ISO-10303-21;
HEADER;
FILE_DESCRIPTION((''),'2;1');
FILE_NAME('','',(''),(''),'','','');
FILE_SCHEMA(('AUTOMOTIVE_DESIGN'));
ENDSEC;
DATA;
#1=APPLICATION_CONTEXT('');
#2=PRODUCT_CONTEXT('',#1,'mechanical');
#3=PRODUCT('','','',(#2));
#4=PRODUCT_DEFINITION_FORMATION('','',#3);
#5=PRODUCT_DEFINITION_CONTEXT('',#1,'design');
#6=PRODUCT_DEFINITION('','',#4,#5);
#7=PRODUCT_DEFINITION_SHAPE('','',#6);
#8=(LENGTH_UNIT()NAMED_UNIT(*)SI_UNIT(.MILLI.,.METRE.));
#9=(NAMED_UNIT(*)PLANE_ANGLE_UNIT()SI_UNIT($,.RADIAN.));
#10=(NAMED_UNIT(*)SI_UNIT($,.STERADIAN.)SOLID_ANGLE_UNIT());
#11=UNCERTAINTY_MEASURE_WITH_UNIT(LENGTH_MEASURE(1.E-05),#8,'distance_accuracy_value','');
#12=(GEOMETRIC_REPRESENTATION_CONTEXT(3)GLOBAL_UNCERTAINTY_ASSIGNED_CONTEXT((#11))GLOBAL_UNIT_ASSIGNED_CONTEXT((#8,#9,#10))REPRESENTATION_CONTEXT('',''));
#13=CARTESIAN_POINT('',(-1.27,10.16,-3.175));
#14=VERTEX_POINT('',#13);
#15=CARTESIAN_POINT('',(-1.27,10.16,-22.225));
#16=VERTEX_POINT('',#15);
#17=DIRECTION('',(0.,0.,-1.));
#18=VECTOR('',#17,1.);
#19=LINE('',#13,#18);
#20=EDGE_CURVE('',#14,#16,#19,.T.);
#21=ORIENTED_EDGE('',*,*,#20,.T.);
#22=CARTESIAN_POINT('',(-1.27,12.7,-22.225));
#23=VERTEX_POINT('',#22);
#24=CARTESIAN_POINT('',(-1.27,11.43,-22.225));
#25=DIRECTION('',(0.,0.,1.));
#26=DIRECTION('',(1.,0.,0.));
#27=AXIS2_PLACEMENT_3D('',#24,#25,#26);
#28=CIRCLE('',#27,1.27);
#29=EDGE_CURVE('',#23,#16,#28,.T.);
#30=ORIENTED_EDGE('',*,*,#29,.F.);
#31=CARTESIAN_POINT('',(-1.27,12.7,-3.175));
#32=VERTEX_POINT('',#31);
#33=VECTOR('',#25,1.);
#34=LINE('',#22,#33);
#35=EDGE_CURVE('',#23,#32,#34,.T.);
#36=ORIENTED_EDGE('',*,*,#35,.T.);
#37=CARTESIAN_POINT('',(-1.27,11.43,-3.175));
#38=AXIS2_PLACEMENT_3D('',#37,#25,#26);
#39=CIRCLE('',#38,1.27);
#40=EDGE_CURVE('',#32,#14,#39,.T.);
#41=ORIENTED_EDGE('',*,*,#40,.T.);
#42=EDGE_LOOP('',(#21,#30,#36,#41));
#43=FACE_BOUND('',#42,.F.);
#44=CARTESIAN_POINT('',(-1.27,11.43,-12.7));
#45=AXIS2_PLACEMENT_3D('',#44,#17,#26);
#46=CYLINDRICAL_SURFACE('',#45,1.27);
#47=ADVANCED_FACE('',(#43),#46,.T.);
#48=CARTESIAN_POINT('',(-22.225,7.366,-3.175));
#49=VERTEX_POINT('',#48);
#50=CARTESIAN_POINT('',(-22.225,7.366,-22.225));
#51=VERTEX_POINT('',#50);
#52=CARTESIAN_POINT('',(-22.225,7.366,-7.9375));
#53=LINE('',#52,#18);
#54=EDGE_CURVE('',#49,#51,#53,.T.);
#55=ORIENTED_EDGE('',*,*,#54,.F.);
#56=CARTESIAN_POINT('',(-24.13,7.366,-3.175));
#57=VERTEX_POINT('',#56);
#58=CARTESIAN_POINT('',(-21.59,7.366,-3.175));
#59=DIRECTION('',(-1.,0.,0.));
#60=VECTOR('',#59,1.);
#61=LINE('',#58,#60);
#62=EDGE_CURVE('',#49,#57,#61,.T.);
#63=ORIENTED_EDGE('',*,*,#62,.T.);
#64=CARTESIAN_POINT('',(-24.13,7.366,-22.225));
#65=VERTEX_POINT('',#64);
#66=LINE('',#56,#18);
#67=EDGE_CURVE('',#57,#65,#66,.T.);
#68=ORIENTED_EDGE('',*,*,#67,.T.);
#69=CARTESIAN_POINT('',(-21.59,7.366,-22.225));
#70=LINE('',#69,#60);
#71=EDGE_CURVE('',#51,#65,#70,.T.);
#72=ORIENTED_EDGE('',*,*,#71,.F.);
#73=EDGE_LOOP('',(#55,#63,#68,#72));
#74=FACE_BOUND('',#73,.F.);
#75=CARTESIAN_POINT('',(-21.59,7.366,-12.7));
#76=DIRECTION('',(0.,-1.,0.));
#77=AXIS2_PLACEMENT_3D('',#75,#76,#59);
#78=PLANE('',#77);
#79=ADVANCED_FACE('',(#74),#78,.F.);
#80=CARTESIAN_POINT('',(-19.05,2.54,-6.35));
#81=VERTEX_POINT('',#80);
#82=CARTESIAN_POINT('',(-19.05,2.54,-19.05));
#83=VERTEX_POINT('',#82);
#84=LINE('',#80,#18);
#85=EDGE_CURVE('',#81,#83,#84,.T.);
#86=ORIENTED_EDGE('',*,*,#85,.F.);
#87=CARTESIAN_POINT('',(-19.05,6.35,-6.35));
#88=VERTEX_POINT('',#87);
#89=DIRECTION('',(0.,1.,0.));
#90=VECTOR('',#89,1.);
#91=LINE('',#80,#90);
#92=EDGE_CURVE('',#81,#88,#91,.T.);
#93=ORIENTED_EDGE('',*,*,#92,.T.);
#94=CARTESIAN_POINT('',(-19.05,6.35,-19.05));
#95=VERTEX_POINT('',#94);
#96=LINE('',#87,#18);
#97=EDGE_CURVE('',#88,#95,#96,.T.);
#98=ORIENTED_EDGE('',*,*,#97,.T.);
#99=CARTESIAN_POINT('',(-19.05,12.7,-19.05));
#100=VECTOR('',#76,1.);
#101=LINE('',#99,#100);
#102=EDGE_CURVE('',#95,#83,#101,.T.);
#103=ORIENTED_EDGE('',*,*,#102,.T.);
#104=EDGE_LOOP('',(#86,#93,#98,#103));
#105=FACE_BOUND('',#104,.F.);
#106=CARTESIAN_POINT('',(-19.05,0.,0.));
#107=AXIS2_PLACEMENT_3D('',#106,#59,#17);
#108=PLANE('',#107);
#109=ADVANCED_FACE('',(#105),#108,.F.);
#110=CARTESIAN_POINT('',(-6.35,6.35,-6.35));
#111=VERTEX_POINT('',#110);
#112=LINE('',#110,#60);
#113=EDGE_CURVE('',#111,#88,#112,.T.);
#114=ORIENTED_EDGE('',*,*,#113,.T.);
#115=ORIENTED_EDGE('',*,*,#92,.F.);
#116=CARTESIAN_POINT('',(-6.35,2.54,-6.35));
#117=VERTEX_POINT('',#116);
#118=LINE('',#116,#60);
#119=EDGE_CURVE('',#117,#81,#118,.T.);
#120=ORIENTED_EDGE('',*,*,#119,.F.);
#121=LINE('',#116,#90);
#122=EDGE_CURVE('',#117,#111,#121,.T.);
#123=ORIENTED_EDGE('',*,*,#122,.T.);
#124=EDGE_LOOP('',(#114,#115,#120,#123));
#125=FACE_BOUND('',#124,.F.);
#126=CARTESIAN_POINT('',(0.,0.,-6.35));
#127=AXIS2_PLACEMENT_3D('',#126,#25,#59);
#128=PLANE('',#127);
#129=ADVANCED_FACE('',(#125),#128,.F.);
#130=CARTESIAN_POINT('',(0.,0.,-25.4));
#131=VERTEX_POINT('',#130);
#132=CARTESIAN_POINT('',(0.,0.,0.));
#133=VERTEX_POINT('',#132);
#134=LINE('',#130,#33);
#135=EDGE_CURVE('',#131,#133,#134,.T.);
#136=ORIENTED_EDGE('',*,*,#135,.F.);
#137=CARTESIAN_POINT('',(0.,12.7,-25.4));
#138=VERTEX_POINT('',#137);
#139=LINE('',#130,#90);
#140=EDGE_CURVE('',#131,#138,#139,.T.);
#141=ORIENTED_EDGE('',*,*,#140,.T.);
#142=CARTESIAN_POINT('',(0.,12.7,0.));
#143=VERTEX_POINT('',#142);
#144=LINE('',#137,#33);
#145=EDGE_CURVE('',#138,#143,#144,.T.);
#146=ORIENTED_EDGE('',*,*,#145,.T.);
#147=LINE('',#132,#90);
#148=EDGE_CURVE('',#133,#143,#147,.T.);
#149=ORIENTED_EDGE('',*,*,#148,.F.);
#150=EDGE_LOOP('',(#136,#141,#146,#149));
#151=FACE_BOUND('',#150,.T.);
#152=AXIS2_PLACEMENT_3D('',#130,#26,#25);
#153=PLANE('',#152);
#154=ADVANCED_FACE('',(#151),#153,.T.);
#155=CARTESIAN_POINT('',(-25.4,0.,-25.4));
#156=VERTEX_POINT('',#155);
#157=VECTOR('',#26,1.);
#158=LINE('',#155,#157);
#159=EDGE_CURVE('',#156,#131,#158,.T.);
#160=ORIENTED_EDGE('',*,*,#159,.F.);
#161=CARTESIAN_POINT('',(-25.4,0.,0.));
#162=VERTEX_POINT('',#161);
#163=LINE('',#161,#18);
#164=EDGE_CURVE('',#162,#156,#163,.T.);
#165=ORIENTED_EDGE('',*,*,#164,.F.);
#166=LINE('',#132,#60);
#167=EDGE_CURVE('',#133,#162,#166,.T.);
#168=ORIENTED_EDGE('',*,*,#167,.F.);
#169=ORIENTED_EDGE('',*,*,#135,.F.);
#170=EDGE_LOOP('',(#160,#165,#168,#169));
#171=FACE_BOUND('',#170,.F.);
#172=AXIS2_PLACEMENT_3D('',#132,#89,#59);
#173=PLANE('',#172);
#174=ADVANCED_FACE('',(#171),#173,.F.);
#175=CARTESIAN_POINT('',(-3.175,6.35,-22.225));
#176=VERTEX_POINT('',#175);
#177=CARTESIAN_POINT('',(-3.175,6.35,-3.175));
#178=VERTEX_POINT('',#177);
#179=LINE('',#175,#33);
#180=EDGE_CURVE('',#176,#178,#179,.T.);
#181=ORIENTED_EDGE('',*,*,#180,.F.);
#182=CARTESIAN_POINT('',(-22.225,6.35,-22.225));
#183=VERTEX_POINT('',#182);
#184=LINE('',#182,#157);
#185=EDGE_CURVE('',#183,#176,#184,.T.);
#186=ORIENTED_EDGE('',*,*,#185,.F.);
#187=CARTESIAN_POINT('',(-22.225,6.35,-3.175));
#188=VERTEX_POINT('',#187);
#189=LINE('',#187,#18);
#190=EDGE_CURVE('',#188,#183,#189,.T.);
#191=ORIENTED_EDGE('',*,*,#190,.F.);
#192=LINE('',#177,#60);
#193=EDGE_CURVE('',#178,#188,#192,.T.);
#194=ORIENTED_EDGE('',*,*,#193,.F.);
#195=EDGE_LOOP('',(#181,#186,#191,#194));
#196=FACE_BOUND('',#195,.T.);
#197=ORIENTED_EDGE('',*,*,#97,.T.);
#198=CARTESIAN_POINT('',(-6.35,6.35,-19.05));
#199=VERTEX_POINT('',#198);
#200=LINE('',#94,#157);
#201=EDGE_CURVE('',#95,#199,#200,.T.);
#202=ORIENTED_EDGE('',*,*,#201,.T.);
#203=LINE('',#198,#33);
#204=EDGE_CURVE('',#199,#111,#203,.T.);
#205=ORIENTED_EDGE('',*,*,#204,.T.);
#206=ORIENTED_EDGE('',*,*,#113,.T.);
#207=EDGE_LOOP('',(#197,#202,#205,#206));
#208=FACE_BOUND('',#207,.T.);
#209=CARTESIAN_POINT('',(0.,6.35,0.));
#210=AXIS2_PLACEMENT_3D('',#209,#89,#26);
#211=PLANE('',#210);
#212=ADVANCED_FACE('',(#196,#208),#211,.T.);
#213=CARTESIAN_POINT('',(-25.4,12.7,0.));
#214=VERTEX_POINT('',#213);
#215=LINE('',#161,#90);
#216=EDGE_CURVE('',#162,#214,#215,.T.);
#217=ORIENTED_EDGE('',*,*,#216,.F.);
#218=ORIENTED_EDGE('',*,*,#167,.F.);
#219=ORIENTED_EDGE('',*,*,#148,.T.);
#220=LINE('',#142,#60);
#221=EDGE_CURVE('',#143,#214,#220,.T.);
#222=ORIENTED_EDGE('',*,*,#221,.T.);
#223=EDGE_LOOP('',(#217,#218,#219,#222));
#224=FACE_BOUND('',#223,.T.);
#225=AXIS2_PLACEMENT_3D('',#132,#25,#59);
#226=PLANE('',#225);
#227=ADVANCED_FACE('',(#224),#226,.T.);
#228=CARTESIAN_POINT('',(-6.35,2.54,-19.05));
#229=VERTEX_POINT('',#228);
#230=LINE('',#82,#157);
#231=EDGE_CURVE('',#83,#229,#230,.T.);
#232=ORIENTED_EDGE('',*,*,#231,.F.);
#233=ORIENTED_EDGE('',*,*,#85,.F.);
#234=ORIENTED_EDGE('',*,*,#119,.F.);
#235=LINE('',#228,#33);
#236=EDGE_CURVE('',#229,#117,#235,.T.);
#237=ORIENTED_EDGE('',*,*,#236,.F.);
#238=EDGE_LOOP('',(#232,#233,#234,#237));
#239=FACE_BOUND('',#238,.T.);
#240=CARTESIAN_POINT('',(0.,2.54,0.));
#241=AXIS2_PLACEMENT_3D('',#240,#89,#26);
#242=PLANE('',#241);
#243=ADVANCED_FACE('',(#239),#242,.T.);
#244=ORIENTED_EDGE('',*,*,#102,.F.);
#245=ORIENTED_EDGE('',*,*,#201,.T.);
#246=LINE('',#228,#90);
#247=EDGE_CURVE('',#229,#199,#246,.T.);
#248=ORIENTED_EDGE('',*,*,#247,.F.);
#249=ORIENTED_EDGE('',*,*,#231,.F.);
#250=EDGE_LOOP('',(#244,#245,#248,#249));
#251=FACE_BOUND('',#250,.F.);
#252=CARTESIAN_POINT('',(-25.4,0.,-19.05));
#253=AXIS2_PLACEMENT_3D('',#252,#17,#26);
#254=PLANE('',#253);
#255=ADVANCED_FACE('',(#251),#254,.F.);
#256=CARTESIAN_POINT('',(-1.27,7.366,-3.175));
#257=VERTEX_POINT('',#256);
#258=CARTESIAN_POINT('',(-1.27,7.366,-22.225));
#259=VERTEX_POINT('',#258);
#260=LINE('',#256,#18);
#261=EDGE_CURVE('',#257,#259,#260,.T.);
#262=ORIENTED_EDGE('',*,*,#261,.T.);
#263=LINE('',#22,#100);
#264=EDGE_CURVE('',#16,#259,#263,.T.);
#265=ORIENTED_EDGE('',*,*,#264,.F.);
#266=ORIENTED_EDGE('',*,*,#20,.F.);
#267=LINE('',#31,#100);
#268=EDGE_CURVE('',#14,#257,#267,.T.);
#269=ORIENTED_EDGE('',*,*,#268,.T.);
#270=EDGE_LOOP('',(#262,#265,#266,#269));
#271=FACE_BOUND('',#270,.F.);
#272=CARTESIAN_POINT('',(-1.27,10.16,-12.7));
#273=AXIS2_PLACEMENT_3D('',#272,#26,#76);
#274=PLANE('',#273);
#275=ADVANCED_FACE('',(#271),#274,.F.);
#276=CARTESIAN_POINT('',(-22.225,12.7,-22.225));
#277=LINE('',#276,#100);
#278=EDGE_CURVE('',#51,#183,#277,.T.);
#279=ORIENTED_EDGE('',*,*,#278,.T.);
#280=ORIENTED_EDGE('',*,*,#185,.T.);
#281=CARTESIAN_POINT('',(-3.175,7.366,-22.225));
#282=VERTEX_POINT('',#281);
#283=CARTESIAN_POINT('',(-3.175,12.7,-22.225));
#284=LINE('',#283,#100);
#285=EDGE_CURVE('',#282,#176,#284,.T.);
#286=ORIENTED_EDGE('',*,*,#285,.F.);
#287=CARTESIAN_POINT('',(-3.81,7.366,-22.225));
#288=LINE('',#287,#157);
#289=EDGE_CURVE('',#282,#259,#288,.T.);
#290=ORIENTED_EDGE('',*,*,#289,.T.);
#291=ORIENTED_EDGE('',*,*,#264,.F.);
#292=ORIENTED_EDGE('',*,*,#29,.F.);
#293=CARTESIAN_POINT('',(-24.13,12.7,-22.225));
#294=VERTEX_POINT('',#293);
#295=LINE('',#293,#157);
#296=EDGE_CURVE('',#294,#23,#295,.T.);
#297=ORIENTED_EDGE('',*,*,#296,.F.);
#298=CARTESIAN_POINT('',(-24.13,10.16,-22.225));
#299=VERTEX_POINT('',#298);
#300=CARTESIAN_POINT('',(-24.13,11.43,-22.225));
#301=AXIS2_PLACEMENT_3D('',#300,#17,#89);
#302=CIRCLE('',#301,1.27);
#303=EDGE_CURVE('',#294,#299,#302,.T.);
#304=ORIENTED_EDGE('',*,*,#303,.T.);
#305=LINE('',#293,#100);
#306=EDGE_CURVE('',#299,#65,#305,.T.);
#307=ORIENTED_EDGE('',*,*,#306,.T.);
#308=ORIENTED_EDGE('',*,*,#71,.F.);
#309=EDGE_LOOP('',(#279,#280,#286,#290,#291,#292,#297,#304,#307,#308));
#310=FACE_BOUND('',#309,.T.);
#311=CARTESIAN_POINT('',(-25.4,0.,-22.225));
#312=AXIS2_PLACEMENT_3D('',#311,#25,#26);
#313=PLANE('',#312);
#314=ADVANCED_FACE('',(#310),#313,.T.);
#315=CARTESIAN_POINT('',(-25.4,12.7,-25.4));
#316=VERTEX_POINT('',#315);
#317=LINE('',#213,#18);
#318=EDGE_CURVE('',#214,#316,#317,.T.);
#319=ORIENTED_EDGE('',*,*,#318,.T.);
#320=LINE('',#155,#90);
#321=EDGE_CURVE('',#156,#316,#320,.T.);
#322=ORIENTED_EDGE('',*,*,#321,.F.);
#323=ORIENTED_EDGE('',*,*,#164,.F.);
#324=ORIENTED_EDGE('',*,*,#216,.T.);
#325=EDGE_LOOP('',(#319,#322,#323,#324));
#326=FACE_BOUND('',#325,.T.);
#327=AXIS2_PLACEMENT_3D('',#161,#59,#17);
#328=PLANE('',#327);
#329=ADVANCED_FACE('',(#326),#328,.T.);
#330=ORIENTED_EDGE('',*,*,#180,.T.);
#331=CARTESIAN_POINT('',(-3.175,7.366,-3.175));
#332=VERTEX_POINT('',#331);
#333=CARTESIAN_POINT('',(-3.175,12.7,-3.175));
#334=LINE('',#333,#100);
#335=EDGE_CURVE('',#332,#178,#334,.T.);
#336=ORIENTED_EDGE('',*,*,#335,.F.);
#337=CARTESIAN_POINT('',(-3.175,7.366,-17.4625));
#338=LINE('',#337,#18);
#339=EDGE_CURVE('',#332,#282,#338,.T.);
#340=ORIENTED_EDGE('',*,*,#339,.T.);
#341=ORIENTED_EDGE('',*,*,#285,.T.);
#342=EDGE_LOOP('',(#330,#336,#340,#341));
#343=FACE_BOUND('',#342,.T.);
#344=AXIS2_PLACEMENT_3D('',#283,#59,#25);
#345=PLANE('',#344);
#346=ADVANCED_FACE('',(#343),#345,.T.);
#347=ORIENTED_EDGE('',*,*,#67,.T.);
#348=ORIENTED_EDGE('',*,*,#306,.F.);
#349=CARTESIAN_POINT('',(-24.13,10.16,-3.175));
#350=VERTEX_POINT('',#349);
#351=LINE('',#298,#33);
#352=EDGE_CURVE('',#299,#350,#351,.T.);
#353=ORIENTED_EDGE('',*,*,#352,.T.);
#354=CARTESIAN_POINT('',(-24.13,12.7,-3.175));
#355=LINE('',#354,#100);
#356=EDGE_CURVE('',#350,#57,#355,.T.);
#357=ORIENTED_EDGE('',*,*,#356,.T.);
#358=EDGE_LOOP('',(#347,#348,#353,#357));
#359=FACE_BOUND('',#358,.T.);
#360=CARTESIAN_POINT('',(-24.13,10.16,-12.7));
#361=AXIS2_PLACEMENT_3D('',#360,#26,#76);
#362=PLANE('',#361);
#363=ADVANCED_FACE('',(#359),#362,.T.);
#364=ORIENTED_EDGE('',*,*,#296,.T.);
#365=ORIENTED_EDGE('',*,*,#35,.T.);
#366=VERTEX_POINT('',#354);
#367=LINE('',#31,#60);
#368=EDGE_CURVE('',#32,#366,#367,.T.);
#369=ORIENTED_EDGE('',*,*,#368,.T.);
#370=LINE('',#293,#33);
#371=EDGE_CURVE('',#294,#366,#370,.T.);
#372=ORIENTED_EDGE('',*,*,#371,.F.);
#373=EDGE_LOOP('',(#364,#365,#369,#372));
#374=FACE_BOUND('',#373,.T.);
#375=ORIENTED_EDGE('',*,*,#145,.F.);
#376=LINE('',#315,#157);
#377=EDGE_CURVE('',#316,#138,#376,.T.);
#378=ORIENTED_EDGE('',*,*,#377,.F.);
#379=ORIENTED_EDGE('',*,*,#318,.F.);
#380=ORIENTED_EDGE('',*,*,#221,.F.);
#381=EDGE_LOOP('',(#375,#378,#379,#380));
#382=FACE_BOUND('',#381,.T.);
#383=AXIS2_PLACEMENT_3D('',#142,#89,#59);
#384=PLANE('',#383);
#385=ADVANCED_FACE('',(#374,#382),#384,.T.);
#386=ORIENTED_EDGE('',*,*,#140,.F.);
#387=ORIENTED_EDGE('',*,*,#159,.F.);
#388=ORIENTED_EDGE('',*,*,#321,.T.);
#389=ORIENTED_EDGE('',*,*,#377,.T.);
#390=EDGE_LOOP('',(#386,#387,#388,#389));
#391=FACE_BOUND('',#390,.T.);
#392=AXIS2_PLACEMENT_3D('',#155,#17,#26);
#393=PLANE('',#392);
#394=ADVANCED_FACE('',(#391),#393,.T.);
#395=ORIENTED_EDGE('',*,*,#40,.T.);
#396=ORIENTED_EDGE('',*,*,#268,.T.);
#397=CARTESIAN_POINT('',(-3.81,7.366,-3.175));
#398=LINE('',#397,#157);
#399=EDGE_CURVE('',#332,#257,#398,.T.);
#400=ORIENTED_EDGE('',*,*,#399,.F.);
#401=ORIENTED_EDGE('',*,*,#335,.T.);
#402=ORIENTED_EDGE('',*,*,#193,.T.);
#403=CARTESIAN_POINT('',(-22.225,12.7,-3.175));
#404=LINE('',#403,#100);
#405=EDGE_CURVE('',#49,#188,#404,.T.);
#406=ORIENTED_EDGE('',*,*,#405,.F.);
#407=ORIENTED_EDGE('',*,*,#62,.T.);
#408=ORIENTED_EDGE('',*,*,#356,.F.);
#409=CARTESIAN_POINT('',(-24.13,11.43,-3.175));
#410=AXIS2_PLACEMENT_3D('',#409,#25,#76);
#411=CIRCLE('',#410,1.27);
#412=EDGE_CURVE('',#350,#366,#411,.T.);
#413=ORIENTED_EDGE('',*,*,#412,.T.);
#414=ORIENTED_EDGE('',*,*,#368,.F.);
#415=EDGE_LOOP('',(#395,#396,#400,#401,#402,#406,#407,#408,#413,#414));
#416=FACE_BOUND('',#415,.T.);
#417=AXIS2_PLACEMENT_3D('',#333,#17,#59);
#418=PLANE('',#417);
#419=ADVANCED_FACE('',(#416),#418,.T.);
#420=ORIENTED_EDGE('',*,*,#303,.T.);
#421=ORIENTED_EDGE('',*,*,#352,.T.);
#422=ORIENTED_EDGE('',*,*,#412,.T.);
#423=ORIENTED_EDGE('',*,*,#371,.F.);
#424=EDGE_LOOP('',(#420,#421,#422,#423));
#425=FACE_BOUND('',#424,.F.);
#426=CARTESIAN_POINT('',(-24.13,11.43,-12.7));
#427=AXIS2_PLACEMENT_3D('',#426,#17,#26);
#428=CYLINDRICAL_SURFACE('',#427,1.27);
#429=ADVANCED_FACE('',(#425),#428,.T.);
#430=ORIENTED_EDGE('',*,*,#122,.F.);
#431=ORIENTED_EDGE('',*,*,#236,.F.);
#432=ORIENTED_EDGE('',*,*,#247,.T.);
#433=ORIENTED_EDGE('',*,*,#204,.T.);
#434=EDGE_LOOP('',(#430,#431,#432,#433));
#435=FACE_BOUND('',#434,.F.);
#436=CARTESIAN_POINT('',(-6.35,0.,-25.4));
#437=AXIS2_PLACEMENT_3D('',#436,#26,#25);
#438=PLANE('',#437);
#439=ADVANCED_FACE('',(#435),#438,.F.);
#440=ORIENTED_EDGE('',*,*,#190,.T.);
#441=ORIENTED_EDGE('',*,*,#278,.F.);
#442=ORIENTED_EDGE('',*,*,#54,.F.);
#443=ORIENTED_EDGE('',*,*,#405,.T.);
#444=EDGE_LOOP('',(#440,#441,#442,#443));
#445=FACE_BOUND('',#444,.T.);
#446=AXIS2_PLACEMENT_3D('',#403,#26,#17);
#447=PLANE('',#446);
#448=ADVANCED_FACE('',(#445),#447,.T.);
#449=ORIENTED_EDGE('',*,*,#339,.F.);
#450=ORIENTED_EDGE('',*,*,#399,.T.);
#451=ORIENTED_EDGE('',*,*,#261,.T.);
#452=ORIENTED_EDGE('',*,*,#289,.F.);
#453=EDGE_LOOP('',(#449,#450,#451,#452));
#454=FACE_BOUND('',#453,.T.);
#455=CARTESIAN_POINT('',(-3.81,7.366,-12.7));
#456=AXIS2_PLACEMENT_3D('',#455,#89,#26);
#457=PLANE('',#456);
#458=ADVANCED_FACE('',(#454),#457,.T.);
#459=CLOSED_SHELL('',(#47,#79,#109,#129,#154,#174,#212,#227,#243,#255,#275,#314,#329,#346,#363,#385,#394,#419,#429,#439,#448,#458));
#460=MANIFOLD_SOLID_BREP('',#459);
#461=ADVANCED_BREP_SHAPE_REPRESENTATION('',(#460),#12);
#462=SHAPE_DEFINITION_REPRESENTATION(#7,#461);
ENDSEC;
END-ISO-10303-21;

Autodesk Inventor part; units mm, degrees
ref_plane "YZ Plane" through (0, 0, 0) normal (1, 0, 0) x (0, 1, 0)
sketch "Sketch1" plane through (0, 0, 0) normal (0, 1, 0) x (-1, 0, 0)
  line L0 (0, 0) -> (25.4, 0)
  line L1 (25.4, 0) -> (25.4, -25.4)
  line L2 (25.4, -25.4) -> (0, -25.4)
  line L3 (0, -25.4) -> (0, 0)
  dimension "d0" = 25.4
  dimension "d1" = 25.4
extrude "Extrusion1" add sketch "Sketch1" along normal blind 12.7
shell "Shell1" thickness 6.35 removed faces 1 at (-8.4667, 12.7, -8.4667)
sketch "Sketch2" plane through (0, 12.7, 0) normal (0, 1, 0) x (1, 0, 0)
  line L0 (-22.225, 22.225) -> (-3.175, 22.225)
  line L1 (-3.175, 22.225) -> (-3.175, 3.175)
  line L2 (-3.175, 3.175) -> (-22.225, 3.175)
  line L3 (-22.225, 3.175) -> (-22.225, 22.225)
  line L4 (0, 0) -> (0, 25.4) projected
  line L5 (0, 25.4) -> (-25.4, 25.4) projected
  line L6 (-19.05, 19.05) -> (-6.35, 19.05) projected
  line L7 (-6.35, 19.05) -> (-6.35, 6.35) projected
  line L8 (-19.05, 19.05) -> (-6.35, 19.05)
  line L9 (-6.35, 19.05) -> (-6.35, 6.35)
  line L10 (-6.35, 6.35) -> (-19.05, 6.35)
  line L11 (-19.05, 6.35) -> (-19.05, 19.05)
  dimension "d5" = 19.05
  dimension "d6" = 19.05
  dimension "d7" = 3.175
  dimension "d8" = 3.175
extrude "Extrusion2" cut sketch "Sketch2" against normal blind 10.16 contours L6 L7 L10 L11
extrude "Extrusion3" cut sketch "Sketch2" against normal blind 6.35
ref_plane "Work Plane1" through (-25.4, 0, -12.7) normal (0, 0, 1) x (1, 0, 0)
ref_plane "Work Plane2" through (-12.7, 0, 0) normal (1, 0, 0) x (0, 0, -1)
sketch "Sketch3" plane through (-25.4, 0, -12.7) normal (0, 0, 1) x (1, 0, 0)
  line L0 (25.4, 12.7) -> (0, 12.7) projected
  circle A0 centre (1.27, 11.43) radius 1.27
  line L1 (0, 0) -> (0, 12.7) projected
  circle A1 centre (24.13, 11.43) radius 1.27
  line L2 (25.4, 0) -> (25.4, 12.7) projected
  line L3 (0, 12.7) -> (1.27, 12.7)
  line L4 (1.27, 12.7) -> (1.27, 7.366)
  line L5 (1.27, 7.366) -> (0, 7.366)
  line L6 (0, 7.366) -> (0, 12.7)
  line L7 (0, 12.7) -> (3.81, 12.7)
  line L8 (3.81, 12.7) -> (3.81, 7.366)
  line L9 (3.81, 7.366) -> (0, 7.366)
  line L10 (0, 7.366) -> (0, 12.7)
  line L11 (25.4, 0) -> (25.4, 12.7) projected
  line L12 (25.4, 12.7) -> (24.13, 12.7)
  line L13 (24.13, 12.7) -> (24.13, 7.366)
  line L14 (24.13, 7.366) -> (25.4, 7.366)
  line L15 (25.4, 7.366) -> (25.4, 12.7)
  line L16 (25.4, 12.7) -> (21.59, 12.7)
  line L17 (21.59, 12.7) -> (21.59, 7.366)
  line L18 (21.59, 7.366) -> (25.4, 7.366)
  line L19 (25.4, 7.366) -> (25.4, 12.7)
  point P0 (24.13, 10.16)
  point P1 (24.13, 12.7)
  point P2 (1.27, 7.366)
  point P3 (3.81, 12.7)
  point P4 (1.27, 12.7)
  point P5 (1.27, 10.16)
  dimension "d16" = 2.54
  dimension "d17" = 1.27
  dimension "d18" = 1.27
  dimension "d20" = 2.54
  dimension "d21" = 1.27
  dimension "d22" = 1.27
  dimension "d23" = 1.27
  dimension "d24" = 5.334
  dimension "d25" = 1.27
  dimension "d26" = 5.334
  dimension "d27" = 3.81
  dimension "d28" = 5.334
  dimension "d29" = 5.334
  dimension "d30" = 3.81
extrude "Extrusion4" cut sketch "Sketch3" along normal mid plane 19.05 contours L8 L9 L4 A0 L0 | A1 L13 L18 L17 L0
sketch "Sketch4" plane through (-12.7, 0, 0) normal (1, 0, 0) x (0, 0, -1)
  circle A0 centre (1.27, 11.43) radius 1.27
  circle A1 centre (24.13, 11.43) radius 1.27
  line L0 (0, 12.7) -> (25.4, 12.7) projected
  line L1 (25.4, 0) -> (25.4, 12.7) projected
  line L2 (0, 0) -> (0, 12.7) projected
  line L3 (0, 12.7) -> (1.27, 12.7)
  line L4 (1.27, 12.7) -> (1.27, 8.89)
  line L5 (1.27, 8.89) -> (0, 8.89)
  line L6 (0, 8.89) -> (0, 12.7)
  line L7 (25.4, 12.7) -> (24.13, 12.7)
  line L8 (24.13, 12.7) -> (24.13, 8.89)
  line L9 (24.13, 8.89) -> (25.4, 8.89)
  line L10 (25.4, 8.89) -> (25.4, 12.7)
  line L11 (0, 12.7) -> (3.81, 12.7)
  line L12 (3.81, 12.7) -> (3.81, 8.89)
  line L13 (3.81, 8.89) -> (0, 8.89)
  line L14 (0, 8.89) -> (0, 12.7)
  line L15 (25.4, 12.7) -> (21.59, 12.7)
  line L16 (21.59, 12.7) -> (21.59, 8.89)
  line L17 (21.59, 8.89) -> (25.4, 8.89)
  line L18 (25.4, 8.89) -> (25.4, 12.7)
  dimension "d33" = 2.54
  dimension "d34" = 2.54
  dimension "d35" = 1.27
  dimension "d36" = 1.27
  dimension "d37" = 1.27
  dimension "d38" = 1.27
  dimension "d39" = 1.27
  dimension "d40" = 3.81
  dimension "d41" = 1.27
  dimension "d42" = 3.81
  dimension "d43" = 3.81
  dimension "d44" = 3.81
  dimension "d45" = 3.81
  dimension "d46" = 3.81
properties part number "boxtest"
